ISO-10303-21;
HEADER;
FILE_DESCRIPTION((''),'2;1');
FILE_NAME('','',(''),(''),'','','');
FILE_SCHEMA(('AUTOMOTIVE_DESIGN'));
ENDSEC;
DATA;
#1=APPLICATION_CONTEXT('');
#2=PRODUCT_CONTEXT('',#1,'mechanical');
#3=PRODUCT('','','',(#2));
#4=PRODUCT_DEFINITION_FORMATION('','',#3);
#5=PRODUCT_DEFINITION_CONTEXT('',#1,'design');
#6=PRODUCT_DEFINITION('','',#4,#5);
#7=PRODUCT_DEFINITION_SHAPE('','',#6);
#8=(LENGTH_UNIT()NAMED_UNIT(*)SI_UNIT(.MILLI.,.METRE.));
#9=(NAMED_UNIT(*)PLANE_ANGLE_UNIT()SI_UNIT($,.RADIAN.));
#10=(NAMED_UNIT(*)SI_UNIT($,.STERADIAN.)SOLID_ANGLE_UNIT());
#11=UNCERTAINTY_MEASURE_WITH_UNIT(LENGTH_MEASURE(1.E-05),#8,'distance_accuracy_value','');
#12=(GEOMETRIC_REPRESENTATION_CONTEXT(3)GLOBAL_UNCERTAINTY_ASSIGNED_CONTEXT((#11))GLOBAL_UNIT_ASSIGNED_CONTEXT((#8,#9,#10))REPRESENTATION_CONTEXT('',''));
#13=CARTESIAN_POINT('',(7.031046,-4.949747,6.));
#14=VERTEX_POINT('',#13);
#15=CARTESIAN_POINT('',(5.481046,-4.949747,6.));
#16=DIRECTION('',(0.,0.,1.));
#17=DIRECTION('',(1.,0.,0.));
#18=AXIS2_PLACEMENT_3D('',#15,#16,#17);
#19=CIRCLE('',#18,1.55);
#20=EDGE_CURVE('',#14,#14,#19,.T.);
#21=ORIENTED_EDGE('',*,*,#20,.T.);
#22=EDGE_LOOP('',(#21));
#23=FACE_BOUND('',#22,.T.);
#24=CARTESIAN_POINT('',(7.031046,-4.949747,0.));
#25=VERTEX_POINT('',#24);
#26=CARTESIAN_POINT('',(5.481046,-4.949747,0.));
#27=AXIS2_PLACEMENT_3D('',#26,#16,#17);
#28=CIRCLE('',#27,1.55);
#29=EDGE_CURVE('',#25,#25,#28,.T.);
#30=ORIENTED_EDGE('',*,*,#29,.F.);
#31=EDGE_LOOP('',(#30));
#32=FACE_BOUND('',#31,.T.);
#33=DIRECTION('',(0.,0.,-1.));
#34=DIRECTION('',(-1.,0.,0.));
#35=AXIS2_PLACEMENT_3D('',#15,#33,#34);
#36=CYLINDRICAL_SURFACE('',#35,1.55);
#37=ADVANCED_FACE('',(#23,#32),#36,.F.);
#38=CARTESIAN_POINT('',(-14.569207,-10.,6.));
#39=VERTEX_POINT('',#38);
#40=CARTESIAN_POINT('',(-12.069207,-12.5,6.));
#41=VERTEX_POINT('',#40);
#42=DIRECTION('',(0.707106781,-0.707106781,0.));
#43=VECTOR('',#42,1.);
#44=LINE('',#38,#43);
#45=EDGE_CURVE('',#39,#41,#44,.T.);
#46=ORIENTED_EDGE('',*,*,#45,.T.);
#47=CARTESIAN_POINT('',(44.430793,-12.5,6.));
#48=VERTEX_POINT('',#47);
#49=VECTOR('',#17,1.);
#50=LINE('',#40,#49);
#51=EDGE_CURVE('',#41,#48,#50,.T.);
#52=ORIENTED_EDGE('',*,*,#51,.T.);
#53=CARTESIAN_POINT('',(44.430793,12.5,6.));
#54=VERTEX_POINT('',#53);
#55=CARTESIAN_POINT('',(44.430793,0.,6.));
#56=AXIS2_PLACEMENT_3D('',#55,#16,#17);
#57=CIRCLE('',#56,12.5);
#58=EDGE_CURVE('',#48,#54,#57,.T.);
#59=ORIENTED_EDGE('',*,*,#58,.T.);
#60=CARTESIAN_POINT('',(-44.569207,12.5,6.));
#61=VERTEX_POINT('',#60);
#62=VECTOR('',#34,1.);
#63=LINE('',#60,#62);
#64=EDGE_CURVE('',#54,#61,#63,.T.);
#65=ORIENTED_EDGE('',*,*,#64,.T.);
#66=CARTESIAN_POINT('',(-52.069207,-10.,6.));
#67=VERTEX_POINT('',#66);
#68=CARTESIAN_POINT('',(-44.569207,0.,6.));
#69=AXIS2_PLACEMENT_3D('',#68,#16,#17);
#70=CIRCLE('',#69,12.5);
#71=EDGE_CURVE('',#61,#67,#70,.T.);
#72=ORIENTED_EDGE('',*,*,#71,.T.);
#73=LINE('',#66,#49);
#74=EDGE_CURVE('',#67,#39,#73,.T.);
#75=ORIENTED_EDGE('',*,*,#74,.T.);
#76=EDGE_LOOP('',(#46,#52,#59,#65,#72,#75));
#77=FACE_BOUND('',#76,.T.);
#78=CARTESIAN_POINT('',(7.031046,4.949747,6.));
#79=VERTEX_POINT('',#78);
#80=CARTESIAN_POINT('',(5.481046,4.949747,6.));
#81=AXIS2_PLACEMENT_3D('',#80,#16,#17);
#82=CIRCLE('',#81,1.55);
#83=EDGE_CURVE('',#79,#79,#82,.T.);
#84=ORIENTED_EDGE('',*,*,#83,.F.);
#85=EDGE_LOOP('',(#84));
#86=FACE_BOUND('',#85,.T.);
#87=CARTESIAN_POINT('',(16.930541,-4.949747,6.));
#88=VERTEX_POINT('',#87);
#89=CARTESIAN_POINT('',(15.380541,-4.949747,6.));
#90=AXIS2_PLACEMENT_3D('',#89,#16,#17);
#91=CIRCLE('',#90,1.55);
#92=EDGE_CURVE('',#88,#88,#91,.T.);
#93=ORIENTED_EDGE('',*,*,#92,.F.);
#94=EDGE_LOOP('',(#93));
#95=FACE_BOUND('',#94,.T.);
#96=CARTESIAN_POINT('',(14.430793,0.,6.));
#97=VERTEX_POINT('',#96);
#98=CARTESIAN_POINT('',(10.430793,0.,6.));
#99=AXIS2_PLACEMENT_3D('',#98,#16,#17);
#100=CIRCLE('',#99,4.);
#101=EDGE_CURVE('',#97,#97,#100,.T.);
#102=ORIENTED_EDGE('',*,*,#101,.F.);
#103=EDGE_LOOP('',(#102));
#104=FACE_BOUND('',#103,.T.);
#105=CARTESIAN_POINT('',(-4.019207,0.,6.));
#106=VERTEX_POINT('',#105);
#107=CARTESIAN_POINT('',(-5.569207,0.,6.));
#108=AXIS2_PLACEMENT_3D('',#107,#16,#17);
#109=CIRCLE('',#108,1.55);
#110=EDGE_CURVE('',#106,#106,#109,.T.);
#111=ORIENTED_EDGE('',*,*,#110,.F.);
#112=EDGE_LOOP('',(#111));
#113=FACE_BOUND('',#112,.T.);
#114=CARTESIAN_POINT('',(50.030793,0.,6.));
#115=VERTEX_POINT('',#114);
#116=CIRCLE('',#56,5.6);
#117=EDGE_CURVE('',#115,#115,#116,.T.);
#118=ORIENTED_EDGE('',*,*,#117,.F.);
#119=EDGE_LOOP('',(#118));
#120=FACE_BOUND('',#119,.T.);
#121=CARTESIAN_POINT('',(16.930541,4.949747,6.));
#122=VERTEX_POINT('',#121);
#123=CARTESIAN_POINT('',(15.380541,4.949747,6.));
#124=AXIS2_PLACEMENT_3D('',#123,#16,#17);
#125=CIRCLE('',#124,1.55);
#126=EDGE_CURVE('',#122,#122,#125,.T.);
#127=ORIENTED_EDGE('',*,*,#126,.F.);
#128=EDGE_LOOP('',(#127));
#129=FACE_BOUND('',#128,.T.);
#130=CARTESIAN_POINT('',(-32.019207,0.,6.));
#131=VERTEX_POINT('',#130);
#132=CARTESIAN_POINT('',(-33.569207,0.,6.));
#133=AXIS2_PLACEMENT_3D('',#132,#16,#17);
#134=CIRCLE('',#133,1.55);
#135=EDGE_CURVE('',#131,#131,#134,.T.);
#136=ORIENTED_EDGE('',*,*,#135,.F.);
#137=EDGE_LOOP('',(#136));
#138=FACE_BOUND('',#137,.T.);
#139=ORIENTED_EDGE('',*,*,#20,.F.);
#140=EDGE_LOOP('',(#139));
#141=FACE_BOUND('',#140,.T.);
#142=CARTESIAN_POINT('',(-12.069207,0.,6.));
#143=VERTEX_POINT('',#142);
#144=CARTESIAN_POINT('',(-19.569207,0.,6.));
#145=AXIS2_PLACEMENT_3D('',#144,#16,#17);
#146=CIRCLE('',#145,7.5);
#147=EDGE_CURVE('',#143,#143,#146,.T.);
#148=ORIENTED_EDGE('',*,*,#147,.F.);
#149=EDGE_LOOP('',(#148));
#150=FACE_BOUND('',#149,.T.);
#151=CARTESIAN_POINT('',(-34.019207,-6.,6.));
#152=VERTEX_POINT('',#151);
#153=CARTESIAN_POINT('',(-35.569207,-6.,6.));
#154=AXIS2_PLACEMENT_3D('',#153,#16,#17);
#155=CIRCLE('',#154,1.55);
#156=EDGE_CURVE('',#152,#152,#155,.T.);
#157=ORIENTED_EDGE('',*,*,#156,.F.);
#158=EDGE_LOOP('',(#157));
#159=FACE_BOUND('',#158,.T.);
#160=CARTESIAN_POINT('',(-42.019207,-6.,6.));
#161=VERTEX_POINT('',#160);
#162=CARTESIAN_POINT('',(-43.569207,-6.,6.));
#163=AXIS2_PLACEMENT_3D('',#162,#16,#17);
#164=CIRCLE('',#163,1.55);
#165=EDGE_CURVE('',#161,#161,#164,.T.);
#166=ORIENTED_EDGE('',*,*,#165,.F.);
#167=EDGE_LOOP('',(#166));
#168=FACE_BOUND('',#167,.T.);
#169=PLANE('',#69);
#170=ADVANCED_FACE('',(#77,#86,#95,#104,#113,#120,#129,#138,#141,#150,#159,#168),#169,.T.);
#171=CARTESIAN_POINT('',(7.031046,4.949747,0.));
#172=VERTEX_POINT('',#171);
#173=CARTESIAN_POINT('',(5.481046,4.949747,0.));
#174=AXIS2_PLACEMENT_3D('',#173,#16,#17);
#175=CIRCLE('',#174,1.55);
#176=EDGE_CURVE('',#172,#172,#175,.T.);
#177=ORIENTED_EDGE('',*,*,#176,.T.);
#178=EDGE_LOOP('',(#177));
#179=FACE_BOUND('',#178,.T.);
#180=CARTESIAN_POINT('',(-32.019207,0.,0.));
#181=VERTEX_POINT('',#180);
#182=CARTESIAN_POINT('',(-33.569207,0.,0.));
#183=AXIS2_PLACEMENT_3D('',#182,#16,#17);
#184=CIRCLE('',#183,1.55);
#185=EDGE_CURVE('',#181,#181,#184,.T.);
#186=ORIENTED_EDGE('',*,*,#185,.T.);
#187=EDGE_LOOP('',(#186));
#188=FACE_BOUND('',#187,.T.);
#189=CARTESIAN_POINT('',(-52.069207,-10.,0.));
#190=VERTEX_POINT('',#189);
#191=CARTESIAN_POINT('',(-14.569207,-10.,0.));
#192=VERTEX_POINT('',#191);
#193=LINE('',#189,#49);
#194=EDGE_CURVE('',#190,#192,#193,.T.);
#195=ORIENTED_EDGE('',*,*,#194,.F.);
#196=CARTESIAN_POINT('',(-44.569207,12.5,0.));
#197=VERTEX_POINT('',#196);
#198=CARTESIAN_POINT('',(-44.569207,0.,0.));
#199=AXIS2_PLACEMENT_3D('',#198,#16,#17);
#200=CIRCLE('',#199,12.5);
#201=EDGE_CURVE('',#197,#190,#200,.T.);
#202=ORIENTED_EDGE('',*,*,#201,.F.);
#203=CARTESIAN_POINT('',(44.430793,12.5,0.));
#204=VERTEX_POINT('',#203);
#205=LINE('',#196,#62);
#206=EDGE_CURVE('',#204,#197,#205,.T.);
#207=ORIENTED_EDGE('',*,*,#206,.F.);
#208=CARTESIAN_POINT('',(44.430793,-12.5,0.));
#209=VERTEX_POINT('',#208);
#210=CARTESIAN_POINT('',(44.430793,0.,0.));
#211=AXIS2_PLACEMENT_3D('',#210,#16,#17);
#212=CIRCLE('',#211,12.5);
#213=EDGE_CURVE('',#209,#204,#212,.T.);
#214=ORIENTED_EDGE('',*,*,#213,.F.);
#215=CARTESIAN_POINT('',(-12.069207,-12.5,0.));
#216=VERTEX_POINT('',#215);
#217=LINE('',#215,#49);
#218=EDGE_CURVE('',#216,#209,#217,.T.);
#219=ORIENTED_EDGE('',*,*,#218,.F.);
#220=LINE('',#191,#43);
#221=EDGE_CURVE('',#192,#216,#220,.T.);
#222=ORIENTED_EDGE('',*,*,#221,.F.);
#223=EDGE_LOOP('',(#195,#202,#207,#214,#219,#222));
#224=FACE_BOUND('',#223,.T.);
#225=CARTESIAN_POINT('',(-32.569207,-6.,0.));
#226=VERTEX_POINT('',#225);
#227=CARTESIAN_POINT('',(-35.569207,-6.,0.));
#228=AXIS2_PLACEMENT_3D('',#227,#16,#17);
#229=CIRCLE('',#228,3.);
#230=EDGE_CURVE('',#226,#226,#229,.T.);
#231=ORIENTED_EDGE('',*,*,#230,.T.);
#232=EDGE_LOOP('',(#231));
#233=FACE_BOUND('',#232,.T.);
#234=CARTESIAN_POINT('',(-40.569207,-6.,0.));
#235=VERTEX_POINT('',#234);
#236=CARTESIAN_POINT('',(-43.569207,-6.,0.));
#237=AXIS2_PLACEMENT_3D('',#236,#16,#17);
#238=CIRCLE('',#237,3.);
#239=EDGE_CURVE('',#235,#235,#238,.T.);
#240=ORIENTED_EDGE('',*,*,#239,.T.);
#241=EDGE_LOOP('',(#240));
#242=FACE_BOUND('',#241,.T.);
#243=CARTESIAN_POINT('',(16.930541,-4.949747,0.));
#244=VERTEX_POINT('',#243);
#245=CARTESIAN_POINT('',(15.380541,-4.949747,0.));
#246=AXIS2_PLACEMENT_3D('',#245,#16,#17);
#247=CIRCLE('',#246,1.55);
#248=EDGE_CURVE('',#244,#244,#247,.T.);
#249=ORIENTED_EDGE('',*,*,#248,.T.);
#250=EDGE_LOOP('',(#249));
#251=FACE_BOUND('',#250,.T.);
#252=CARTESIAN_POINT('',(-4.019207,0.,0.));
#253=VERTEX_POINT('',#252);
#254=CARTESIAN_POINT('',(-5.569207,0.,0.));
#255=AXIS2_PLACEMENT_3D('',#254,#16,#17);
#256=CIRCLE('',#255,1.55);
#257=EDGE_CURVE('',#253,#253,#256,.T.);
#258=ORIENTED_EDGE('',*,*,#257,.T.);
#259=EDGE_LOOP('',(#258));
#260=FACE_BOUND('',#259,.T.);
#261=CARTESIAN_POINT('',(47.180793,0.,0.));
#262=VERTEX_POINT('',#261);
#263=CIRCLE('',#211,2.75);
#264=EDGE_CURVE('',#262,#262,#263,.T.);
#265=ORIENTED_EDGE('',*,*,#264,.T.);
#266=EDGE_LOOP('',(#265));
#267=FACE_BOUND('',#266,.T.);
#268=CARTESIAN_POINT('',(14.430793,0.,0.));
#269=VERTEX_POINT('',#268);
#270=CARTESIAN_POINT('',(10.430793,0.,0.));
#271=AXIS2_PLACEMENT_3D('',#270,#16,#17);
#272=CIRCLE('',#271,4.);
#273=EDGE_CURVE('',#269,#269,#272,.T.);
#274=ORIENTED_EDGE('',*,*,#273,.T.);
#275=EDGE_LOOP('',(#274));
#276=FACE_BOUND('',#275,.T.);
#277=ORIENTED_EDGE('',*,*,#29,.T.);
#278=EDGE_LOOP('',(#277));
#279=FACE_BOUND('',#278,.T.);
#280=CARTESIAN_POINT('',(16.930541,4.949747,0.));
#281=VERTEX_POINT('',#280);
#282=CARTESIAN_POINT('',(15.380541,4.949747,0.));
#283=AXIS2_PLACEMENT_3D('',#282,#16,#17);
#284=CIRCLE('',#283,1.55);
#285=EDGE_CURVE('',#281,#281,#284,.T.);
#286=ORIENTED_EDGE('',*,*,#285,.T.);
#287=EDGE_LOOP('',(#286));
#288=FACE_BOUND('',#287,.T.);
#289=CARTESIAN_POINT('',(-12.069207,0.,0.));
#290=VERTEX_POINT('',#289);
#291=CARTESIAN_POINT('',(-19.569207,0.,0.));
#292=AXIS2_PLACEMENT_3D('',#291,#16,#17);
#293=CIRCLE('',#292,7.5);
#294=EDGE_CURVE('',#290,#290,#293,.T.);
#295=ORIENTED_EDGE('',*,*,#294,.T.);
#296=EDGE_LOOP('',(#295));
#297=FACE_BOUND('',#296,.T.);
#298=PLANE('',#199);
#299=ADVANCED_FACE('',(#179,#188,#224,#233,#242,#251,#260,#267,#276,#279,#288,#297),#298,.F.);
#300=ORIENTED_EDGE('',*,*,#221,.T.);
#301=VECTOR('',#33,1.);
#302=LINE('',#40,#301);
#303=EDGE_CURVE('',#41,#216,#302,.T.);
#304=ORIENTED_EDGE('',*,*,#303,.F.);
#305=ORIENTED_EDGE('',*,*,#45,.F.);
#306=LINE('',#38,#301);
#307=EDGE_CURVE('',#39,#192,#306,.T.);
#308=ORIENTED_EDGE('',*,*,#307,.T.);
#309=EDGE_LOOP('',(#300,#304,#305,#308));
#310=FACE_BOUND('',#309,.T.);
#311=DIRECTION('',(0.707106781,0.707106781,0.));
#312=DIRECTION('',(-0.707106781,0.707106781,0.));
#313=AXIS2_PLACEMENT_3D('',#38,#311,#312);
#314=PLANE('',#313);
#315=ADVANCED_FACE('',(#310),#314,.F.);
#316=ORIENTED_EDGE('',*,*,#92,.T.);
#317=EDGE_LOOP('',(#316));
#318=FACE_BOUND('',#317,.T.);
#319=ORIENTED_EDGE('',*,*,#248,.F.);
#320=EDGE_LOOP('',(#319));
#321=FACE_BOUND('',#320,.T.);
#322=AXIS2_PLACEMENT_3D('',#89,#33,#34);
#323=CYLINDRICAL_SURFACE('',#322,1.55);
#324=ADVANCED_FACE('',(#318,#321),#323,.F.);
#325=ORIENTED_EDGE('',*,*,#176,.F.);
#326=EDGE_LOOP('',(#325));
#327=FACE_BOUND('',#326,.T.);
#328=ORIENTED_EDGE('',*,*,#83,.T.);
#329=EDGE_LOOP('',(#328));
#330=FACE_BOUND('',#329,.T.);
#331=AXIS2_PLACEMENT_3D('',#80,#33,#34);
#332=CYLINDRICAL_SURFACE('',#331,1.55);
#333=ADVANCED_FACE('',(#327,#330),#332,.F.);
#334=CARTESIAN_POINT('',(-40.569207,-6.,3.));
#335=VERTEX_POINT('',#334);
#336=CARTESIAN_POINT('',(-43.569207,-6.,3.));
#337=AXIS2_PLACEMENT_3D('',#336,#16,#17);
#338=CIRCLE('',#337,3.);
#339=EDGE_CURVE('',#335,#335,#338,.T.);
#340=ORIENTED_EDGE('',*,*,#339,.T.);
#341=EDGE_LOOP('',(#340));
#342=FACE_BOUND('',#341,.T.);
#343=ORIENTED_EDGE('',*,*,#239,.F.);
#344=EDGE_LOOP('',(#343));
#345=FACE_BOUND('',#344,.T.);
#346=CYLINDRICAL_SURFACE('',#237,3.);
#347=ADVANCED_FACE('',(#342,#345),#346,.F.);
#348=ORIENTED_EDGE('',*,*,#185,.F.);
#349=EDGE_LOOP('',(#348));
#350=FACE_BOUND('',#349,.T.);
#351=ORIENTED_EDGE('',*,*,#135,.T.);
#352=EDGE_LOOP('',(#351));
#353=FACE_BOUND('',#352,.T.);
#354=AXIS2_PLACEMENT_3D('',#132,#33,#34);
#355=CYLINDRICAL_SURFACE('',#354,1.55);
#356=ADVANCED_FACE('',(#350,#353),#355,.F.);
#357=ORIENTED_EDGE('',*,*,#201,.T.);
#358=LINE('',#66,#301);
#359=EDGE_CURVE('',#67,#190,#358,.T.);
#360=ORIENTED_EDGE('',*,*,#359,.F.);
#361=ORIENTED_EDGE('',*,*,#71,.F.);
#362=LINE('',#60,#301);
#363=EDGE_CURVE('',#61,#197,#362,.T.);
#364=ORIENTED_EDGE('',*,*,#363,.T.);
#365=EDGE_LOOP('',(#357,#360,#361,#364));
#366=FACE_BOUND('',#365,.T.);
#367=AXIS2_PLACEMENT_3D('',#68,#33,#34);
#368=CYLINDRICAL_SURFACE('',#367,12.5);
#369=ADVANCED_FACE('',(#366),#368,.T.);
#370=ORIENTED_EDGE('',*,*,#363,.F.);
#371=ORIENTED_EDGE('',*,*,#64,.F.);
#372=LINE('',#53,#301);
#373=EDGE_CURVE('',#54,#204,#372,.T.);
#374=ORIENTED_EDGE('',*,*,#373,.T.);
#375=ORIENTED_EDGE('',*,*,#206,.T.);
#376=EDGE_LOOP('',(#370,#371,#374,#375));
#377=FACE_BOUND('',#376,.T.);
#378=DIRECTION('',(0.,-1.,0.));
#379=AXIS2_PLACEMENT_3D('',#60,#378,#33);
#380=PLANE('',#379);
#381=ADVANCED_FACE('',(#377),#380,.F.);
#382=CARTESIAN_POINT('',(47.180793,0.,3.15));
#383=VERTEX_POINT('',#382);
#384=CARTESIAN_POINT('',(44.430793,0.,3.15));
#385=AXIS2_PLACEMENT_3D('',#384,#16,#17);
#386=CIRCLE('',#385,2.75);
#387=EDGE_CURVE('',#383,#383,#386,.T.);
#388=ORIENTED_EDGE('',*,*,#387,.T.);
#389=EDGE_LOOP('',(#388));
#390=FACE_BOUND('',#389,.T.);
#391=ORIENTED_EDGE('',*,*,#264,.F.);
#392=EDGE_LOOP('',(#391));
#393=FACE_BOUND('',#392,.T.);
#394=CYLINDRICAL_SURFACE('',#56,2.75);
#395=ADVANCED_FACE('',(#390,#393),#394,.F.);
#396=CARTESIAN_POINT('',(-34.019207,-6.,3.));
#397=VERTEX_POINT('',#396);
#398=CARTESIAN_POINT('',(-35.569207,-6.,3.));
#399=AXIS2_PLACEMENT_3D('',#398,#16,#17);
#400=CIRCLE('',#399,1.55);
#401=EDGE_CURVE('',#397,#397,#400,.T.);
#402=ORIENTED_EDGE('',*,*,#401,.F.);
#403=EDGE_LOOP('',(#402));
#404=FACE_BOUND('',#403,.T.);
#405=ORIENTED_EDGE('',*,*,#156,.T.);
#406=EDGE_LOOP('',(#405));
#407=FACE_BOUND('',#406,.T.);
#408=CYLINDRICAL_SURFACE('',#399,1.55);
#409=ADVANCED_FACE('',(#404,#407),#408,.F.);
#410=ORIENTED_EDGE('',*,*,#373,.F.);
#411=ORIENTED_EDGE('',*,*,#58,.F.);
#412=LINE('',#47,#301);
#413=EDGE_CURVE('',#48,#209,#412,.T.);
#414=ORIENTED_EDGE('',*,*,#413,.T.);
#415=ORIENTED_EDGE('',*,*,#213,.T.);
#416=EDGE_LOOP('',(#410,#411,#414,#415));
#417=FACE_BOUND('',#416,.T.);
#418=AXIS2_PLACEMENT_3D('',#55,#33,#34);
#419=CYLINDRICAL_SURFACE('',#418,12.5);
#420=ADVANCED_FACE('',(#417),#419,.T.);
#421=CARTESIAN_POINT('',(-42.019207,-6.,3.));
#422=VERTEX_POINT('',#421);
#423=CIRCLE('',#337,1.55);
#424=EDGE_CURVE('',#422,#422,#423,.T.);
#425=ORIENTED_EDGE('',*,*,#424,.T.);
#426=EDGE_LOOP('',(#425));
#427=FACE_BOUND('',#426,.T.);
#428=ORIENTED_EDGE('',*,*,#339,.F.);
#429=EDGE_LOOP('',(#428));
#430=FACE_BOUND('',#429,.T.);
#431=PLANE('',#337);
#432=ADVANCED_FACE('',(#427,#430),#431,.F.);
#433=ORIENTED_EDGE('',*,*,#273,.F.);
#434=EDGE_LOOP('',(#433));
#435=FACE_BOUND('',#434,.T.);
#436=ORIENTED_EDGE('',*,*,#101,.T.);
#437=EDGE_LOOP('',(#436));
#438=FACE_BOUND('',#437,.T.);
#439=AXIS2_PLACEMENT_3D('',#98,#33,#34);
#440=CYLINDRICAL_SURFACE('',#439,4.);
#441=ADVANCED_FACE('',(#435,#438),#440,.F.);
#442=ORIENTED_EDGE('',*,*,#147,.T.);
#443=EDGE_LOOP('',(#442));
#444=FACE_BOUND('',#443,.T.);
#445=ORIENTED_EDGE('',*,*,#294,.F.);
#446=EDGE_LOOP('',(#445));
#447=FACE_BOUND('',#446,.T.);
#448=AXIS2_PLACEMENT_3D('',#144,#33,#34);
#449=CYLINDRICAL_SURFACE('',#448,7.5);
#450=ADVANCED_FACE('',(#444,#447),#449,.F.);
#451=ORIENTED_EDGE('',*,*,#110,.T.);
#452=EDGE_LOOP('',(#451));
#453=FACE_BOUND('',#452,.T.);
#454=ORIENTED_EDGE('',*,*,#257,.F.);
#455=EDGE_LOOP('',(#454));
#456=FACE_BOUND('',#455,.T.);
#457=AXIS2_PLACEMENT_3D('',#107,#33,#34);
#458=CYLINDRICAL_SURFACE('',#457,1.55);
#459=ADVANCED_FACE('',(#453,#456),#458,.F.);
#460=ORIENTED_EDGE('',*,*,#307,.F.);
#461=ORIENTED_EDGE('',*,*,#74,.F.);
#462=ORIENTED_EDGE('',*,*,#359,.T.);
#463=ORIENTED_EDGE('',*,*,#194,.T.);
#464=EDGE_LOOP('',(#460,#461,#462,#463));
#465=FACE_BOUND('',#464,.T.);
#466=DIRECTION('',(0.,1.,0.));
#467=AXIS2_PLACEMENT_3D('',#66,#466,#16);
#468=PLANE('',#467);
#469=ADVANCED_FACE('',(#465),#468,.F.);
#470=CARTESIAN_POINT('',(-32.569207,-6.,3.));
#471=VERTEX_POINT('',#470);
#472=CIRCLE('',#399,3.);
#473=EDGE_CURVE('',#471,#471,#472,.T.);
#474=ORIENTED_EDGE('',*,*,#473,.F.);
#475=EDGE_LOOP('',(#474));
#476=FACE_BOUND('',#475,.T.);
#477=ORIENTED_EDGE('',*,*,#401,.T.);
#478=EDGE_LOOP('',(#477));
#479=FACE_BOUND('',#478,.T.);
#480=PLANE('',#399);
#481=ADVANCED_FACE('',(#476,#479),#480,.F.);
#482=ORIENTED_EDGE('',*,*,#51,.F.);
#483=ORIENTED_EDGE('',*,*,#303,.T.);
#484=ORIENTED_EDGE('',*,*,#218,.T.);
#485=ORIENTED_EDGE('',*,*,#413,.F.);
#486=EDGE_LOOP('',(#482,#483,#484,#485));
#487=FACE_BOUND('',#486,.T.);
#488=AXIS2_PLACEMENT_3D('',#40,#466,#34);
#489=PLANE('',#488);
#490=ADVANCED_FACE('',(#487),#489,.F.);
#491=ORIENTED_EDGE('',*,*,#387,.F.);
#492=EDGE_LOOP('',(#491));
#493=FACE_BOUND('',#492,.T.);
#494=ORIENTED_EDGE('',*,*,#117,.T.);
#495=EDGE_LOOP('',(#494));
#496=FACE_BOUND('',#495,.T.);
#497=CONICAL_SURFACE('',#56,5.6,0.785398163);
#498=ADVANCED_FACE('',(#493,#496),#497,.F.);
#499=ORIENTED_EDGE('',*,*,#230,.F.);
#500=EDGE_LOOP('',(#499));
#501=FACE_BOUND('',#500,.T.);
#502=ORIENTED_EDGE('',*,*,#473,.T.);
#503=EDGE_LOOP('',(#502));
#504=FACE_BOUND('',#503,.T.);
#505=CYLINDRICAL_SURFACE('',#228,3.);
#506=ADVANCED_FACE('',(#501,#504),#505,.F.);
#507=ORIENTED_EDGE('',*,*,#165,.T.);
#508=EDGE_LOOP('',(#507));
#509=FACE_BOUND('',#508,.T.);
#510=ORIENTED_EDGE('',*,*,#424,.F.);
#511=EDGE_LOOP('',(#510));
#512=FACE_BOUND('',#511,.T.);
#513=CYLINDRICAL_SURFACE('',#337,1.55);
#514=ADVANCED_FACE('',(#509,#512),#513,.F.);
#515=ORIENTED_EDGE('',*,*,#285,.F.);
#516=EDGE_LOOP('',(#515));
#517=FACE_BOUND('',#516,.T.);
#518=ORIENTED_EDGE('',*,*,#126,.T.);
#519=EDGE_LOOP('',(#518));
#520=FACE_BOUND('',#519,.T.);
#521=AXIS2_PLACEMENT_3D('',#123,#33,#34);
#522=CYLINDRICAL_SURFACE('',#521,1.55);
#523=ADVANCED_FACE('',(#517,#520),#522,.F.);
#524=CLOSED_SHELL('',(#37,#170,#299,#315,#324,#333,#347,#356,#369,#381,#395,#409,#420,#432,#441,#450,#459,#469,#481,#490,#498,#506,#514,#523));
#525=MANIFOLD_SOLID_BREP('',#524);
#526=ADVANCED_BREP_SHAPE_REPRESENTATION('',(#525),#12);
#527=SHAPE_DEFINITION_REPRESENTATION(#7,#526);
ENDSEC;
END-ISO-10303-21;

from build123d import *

# Parameters (mm, degrees)
SKETCH2_R                     = 4
SKETCH2_R_2                   = 1.55
SKETCH2_R_3                   = 7.5
BOSS_EXTRUDE1_DEPTH           = 6
CSK_FOR_M5_SFHCS1_D           = 5.5
CSK_FOR_M5_SFHCS1_CSINK_D     = 11.2
CSK_FOR_M5_SFHCS1_CSINK_ANGLE = 90
SKETCH6_R                     = 1.55
CUT_EXTRUDE1_DEPTH            = 3
SKETCH7_R                     = 3
CUT_EXTRUDE2_DEPTH            = 59.49909717


with BuildPart() as part:
    # Sketch2 → Boss-Extrude1 (new body)
    with BuildSketch(Plane.XY):
        with BuildLine():
            Line((-44.569206843, 12.5), (44.430793157, 12.5))
            ThreePointArc((44.430793157, 12.5), (56.930793157, 0), (44.430793157, -12.5))
            Line((44.430793157, -12.5), (-12.069206843, -12.5))
            Line((-12.069206843, -12.5), (-14.569206843, -10))
            Line((-14.569206843, -10), (-52.069206843, -10))
            ThreePointArc((-52.069206843, -10), (-56.427748069, 3.952847075), (-44.569206843, 12.5))
        make_face()
        with Locations((10.430793157, 0)):
            Circle(SKETCH2_R, mode=Mode.SUBTRACT)
        with Locations((15.380540625, 4.949747468)):
            Circle(SKETCH2_R_2, mode=Mode.SUBTRACT)
        with Locations((15.380540625, -4.949747468)):
            Circle(SKETCH2_R_2, mode=Mode.SUBTRACT)
        with Locations((5.481045689, -4.949747468)):
            Circle(SKETCH2_R_2, mode=Mode.SUBTRACT)
        with Locations((5.481045689, 4.949747468)):
            Circle(SKETCH2_R_2, mode=Mode.SUBTRACT)
        with Locations((-19.569206843, 0)):
            Circle(SKETCH2_R_3, mode=Mode.SUBTRACT)
        with Locations((-5.569206843, 0)):
            Circle(SKETCH2_R_2, mode=Mode.SUBTRACT)
        with Locations((-33.569206843, 0)):
            Circle(SKETCH2_R_2, mode=Mode.SUBTRACT)
    extrude(amount=BOSS_EXTRUDE1_DEPTH)

    # CSK for M5 SFHCS1 (through all)
    with Locations(Plane(origin=(44.430793157, 0, 6), x_dir=(1, 0, 0), z_dir=(0, 0, 1))):
        with Locations((0, 0)):
            CounterSinkHole(CSK_FOR_M5_SFHCS1_D / 2, CSK_FOR_M5_SFHCS1_CSINK_D / 2, counter_sink_angle=CSK_FOR_M5_SFHCS1_CSINK_ANGLE)

    # Sketch6 → Cut-Extrude1 (cut)
    with BuildSketch(Plane.XY.offset(6)):
        with Locations((-35.569206843, -6)):
            Circle(SKETCH6_R)
        with Locations((-43.569206843, -6)):
            Circle(SKETCH6_R)
    extrude(amount=-CUT_EXTRUDE1_DEPTH, mode=Mode.SUBTRACT)

    # Sketch7 → Cut-Extrude2 (cut, through all)
    with BuildSketch(Plane.XY.offset(3)):
        with Locations((-35.569206843, -6)):
            Circle(SKETCH7_R)
        with Locations((-43.569206843, -6)):
            Circle(SKETCH7_R)
    extrude(amount=-CUT_EXTRUDE2_DEPTH, mode=Mode.SUBTRACT)


solid = part.part
